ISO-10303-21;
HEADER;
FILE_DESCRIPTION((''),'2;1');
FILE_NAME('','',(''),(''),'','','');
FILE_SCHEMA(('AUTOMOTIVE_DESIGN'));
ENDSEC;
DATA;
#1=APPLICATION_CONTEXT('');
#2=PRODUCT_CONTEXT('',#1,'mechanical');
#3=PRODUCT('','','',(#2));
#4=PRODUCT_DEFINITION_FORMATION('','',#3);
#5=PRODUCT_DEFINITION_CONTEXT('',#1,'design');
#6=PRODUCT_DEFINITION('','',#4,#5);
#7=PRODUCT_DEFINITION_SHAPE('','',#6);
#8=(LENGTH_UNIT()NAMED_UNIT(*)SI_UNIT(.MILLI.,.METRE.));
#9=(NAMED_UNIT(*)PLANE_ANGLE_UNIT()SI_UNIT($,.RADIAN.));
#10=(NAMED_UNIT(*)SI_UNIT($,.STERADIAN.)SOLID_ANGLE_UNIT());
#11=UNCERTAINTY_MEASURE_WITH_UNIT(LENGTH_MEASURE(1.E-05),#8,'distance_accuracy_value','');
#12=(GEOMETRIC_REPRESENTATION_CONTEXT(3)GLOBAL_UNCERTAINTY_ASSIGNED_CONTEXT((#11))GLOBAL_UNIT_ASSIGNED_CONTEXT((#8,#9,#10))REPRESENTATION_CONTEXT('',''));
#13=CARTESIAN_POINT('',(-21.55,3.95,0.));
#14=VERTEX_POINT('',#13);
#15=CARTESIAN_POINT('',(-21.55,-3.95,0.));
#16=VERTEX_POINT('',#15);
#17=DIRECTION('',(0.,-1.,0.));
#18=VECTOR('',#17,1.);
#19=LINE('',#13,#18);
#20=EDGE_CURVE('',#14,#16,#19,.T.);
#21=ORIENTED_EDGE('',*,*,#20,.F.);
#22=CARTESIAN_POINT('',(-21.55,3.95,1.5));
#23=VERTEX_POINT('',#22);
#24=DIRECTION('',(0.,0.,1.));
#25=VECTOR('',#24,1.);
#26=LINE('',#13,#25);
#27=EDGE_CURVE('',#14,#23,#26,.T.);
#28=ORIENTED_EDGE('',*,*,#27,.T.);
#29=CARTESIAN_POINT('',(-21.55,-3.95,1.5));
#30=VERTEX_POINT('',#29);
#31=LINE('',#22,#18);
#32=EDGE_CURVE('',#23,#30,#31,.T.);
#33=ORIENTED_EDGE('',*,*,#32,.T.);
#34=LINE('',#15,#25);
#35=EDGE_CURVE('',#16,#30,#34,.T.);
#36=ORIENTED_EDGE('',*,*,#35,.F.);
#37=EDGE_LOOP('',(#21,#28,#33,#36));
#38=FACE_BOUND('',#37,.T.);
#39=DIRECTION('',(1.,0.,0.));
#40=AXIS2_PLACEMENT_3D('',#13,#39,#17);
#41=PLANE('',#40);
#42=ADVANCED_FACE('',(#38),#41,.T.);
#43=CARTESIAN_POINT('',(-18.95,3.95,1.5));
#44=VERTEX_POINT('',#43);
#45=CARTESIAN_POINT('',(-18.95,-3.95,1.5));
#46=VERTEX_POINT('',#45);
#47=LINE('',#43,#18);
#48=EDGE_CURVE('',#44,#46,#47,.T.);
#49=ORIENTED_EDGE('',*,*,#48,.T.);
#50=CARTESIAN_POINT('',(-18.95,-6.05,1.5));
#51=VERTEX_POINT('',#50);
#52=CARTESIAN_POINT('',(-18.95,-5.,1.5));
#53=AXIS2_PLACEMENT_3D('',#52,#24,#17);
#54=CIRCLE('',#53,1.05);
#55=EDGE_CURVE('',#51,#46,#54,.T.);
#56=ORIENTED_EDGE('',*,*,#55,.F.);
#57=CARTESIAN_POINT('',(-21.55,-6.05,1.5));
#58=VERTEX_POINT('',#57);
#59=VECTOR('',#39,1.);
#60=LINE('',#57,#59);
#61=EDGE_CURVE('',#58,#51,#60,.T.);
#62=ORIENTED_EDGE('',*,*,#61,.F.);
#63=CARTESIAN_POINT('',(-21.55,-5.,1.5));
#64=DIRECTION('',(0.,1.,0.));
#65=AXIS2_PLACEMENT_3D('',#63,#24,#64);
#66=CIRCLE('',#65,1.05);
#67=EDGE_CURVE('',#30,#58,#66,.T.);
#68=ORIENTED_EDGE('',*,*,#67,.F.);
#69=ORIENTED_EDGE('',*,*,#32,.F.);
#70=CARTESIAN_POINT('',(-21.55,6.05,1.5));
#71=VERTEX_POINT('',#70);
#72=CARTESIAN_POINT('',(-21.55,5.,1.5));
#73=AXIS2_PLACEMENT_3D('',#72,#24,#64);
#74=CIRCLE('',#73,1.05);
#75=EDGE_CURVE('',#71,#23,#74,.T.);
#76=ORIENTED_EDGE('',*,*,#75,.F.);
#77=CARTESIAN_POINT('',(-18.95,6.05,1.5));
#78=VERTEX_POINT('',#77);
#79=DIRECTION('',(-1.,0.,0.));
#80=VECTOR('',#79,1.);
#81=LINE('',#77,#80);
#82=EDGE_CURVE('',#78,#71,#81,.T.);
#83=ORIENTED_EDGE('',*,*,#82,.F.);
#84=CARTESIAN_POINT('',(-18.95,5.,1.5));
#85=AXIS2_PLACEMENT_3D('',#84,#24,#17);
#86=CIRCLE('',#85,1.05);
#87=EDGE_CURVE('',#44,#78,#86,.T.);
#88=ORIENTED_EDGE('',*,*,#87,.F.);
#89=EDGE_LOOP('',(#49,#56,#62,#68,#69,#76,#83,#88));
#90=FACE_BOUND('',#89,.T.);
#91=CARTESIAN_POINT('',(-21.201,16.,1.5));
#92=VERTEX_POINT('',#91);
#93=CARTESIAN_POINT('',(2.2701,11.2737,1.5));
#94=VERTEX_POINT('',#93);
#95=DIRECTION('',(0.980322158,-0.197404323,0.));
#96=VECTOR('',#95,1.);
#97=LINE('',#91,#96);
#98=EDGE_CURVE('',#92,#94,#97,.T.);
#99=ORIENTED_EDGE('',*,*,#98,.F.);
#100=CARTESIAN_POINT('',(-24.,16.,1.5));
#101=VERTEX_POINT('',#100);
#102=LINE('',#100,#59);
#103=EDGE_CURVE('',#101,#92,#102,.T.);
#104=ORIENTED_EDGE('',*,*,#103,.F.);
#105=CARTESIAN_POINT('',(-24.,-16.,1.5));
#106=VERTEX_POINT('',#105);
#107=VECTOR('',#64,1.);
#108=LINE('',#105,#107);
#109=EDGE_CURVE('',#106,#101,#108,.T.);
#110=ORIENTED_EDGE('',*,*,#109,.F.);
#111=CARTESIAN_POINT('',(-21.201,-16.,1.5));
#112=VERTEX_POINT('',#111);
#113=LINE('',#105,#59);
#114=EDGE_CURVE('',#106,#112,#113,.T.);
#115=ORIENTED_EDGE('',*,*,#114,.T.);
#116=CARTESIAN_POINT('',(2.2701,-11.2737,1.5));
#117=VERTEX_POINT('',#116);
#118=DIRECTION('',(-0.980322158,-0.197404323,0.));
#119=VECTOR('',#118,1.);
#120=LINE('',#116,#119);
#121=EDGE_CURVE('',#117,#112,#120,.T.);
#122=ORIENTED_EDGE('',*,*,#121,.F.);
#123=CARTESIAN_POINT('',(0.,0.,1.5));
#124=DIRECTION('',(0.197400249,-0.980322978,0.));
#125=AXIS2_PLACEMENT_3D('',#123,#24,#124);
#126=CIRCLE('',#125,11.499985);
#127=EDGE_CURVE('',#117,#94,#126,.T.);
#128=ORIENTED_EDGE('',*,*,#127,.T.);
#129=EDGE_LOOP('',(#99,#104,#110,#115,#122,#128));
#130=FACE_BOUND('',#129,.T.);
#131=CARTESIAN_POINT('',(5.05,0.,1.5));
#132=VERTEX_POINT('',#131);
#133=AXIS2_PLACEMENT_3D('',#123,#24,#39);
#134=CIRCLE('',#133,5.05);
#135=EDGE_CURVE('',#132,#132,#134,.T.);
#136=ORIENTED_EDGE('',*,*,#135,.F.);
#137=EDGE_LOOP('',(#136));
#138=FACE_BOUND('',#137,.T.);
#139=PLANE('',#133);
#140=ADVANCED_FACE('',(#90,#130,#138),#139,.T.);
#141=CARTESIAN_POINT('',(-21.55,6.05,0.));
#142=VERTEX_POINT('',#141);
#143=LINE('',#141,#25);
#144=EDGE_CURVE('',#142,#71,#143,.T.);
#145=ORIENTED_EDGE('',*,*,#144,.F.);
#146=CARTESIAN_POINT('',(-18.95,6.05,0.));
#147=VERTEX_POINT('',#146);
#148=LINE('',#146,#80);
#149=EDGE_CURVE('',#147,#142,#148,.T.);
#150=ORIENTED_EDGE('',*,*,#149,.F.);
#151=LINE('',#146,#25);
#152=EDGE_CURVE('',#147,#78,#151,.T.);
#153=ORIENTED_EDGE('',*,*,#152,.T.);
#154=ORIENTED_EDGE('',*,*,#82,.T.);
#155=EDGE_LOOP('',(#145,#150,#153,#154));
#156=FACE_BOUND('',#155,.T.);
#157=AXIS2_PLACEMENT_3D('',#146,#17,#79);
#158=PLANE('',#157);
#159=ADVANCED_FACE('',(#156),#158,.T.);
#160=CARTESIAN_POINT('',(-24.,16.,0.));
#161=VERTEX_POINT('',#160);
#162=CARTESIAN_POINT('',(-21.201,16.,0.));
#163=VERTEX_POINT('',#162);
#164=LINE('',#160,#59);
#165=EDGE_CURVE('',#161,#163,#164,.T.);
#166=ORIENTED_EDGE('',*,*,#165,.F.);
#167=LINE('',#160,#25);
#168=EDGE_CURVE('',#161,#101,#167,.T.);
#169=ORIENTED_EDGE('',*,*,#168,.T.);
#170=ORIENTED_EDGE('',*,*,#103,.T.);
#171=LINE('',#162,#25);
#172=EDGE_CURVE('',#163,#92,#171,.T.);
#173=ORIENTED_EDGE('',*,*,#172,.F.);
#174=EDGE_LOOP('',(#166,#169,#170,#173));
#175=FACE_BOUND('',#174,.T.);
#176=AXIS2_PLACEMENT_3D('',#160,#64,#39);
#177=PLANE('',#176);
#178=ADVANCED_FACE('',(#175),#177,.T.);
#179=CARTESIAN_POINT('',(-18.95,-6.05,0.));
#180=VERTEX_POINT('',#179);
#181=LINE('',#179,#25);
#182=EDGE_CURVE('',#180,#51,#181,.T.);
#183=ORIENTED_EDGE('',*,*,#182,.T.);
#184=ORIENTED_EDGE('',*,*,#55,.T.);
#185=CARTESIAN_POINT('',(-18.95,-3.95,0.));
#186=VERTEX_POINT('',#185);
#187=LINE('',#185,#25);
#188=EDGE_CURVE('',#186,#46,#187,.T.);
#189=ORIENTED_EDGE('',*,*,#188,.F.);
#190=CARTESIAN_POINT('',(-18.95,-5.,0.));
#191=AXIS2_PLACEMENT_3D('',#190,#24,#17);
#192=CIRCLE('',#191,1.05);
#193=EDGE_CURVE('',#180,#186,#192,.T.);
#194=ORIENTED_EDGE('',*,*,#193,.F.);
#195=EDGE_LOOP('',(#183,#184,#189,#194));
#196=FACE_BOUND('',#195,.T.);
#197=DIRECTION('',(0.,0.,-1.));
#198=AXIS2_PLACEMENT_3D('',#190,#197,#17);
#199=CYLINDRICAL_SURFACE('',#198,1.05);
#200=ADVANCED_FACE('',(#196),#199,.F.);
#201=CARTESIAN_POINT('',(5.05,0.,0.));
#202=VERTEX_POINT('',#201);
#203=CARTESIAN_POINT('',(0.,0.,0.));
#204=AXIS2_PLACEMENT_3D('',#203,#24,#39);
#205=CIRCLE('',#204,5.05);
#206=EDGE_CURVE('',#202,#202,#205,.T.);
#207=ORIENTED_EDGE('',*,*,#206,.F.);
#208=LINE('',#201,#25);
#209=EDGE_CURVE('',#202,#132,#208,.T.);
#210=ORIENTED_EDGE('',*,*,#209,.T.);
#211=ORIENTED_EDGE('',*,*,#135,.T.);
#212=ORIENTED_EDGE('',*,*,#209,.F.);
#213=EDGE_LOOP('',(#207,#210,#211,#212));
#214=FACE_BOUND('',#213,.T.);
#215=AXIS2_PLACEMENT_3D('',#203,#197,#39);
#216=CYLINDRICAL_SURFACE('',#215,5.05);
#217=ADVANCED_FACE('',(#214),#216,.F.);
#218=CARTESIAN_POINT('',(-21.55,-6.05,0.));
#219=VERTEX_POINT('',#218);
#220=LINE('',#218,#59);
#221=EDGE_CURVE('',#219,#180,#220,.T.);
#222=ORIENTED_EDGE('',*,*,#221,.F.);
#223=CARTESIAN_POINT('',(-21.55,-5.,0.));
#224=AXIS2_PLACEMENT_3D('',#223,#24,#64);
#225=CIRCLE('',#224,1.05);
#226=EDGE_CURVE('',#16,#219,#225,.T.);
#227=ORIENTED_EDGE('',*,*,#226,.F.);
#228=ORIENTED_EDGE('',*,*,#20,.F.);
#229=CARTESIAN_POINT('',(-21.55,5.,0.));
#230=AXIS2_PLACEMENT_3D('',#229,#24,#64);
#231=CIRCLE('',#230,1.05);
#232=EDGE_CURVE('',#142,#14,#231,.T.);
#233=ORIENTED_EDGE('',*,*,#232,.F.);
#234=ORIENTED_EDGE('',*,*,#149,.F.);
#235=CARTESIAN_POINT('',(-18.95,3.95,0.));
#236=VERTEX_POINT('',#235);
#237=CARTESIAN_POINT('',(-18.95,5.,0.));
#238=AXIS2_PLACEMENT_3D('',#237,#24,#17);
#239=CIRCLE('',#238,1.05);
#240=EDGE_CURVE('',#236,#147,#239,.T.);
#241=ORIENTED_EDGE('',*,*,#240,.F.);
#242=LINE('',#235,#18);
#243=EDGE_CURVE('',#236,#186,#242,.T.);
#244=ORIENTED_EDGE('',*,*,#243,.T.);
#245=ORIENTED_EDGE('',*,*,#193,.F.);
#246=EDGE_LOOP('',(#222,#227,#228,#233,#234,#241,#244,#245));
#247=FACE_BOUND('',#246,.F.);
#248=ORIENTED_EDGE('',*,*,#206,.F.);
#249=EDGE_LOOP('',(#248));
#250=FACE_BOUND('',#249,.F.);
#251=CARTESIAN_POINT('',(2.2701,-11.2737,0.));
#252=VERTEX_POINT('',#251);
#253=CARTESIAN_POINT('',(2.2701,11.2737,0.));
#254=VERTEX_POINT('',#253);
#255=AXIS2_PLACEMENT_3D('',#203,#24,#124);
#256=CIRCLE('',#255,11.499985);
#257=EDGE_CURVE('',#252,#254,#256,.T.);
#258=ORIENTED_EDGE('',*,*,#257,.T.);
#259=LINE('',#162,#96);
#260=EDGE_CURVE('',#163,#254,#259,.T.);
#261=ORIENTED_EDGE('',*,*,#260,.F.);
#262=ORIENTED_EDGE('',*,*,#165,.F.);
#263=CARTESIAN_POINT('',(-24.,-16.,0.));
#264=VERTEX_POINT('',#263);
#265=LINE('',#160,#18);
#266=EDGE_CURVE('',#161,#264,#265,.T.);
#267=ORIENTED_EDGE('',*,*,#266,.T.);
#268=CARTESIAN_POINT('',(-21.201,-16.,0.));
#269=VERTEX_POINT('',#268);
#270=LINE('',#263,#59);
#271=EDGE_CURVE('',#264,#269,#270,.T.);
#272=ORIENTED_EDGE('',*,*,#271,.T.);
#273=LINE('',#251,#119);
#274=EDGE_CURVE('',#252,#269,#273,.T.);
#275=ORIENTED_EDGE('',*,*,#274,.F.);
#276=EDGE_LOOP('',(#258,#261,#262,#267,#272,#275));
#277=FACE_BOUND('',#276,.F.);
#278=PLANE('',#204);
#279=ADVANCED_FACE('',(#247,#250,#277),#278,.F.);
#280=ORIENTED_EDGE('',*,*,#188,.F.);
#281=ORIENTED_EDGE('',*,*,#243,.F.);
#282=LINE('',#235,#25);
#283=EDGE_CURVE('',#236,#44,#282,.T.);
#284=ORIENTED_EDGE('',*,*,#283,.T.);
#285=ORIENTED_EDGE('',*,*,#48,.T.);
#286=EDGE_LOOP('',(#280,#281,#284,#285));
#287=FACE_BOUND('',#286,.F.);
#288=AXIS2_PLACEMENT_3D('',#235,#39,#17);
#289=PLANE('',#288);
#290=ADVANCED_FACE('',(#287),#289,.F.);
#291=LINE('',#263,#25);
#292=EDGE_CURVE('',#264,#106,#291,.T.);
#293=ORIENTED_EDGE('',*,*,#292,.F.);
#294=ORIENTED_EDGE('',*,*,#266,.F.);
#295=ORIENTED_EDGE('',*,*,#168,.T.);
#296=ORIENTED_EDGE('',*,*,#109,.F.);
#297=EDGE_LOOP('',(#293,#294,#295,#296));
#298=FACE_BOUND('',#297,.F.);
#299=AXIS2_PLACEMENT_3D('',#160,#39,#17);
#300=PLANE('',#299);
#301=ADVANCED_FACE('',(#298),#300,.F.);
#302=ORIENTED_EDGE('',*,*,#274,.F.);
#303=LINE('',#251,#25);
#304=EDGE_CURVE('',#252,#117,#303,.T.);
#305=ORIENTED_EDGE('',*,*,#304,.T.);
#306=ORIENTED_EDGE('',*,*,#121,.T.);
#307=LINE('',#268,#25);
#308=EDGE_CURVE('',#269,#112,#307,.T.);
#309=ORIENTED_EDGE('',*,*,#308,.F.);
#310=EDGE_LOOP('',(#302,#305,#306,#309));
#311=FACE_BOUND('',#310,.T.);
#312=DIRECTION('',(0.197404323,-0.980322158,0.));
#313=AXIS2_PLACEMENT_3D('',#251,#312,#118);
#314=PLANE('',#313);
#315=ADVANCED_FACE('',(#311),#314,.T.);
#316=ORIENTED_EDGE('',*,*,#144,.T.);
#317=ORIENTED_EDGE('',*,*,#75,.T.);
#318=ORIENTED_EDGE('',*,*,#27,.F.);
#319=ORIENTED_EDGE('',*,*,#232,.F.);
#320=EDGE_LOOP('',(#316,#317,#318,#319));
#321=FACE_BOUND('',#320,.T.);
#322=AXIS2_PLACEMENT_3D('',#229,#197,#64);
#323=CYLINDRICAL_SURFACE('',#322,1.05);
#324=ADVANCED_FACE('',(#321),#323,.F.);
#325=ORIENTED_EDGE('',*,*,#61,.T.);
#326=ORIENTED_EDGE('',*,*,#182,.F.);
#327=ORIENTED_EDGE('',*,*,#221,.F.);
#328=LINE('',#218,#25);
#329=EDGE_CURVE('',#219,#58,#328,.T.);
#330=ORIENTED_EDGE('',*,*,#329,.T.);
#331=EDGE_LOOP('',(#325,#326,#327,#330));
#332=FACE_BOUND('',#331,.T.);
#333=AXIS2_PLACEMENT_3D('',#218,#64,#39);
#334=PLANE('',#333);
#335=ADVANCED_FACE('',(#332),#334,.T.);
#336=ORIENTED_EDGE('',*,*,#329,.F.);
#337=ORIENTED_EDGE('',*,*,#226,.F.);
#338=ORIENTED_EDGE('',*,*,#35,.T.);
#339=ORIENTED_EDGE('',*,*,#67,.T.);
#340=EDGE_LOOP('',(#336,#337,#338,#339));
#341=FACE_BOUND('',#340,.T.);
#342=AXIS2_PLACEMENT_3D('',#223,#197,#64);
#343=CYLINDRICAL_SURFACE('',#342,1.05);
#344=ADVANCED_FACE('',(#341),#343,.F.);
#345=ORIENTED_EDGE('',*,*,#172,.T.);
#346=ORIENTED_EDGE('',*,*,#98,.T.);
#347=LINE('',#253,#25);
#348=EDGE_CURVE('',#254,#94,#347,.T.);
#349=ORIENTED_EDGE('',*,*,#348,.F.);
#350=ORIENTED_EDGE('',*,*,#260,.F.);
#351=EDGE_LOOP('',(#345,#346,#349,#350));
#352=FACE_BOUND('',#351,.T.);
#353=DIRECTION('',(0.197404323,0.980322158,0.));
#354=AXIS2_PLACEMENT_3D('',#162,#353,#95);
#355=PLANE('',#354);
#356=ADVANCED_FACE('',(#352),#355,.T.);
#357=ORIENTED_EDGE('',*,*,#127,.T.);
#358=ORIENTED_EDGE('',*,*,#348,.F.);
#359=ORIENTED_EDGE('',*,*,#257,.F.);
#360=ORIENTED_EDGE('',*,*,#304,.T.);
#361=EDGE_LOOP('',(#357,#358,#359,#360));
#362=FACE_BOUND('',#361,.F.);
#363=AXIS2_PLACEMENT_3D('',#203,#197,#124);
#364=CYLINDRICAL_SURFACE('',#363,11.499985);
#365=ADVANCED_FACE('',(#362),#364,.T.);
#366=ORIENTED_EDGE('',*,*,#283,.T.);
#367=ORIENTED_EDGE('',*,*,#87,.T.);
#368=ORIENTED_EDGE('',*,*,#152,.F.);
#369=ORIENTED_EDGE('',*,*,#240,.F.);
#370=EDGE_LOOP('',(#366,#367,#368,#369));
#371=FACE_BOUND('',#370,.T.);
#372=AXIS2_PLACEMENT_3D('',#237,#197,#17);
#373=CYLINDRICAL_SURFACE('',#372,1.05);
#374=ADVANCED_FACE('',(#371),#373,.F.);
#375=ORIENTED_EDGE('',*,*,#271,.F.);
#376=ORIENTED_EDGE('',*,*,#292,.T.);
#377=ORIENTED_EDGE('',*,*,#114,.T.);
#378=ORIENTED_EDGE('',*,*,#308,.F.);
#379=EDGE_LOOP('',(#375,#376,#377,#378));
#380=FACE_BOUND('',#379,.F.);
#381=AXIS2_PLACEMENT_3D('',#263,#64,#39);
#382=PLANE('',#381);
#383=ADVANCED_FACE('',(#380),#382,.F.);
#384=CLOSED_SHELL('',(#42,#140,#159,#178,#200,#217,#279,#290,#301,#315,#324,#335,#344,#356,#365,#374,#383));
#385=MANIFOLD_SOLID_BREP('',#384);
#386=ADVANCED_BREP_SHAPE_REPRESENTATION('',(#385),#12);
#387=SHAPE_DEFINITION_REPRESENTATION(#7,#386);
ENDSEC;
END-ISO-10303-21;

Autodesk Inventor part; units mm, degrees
ref_plane "YZ Plane" through (0, 0, 0) normal (1, 0, 0) x (0, 1, 0)
ref_plane "XZ Plane" through (0, 0, 0) normal (0, 1, 0) x (-1, 0, 0)
ref_plane "XY Plane" through (0, 0, 0) normal (0, 0, 1) x (1, 0, 0)
sketch "スケッチ1" plane through (0, 0, 0) normal (0, 0, 1) x (1, 0, 0)
  circle A0 centre (0, 0) radius 10.5 construction
  line L0 (-12, 10.583) -> (-12, -10.583) construction
  arc A1 (0, 16) -> (-12, 10.583) centre (0, 0) ccw construction
  line L1 (0, 16) -> (33.5167, 16) construction
  line L2 (33.5167, 16) -> (33.5167, -16) construction
  line L3 (33.5167, -16) -> (0, -16) construction
  arc A2 (-12, -10.583) -> (0, -16) centre (0, 0) ccw construction
  circle A3 centre (0, 8.5) radius 1.35
  circle A4 centre (-8.5, 0) radius 1.35
  circle A5 centre (0, -8.5) radius 1.35
  circle A6 centre (8.5, 0) radius 1.35
  circle A7 centre (0, 0) radius 5.05
  circle A8 centre (0, 0) radius 16 construction
  line L4 (-21.5, 6) -> (-19, 6) construction
  line L5 (-19, 6) -> (-19, -6) construction
  line L6 (-19, -6) -> (-21.5, -6) construction
  line L7 (-21.5, -6) -> (-21.5, 6) construction
  circle A9 centre (0, 0) radius 19 construction
  line L8 (-18.95, 6.05) -> (-21.55, 6.05) construction
  line L9 (-21.55, 6.05) -> (-21.55, -6.05) construction
  line L10 (-21.55, -6.05) -> (-18.95, -6.05) construction
  line L11 (-18.95, -6.05) -> (-18.95, 6.05) construction
  circle A10 centre (-21.55, 5) radius 1.05 construction
  line L12 (-18.95, 6.05) -> (-21.55, 6.05)
  arc A11 (-21.55, 6.05) -> (-21.55, 3.95) centre (-21.55, 5) ccw
  line L13 (-21.55, 3.95) -> (-21.55, -3.95)
  line L14 (-20.25, 6.05) -> (-20.25, -6.05) construction
  line L15 (-21.55, 0) -> (-19, 0) construction
  arc A12 (-21.55, -3.95) -> (-21.55, -6.05) centre (-21.55, -5) ccw
  line L16 (-21.55, -6.05) -> (-18.95, -6.05)
  line L17 (-18.95, 3.95) -> (-18.95, -3.95)
  arc A13 (-18.95, 3.95) -> (-18.95, 6.05) centre (-18.95, 5) ccw
  arc A14 (-18.95, -6.05) -> (-18.95, -3.95) centre (-18.95, -5) ccw
  line L18 (-24, 6) -> (-24, -6)
  circle A15 centre (-21.5, 13) radius 1.55
  circle A16 centre (-21.5, -13) radius 1.55
  line L19 (-24, 16) -> (-21.201, 16)
  line L20 (-24, -16) -> (-21.201, -16)
  arc A17 (2.2701, -11.2737) -> (2.2701, 11.2737) centre (0, 0) ccw
  line L21 (-24, 16) -> (-24, 6)
  circle A18 centre (-21.5, 13) radius 3 construction
  line L22 (-24, -16) -> (-24, -6)
  line L23 (-21.201, 16) -> (2.2701, 11.2737)
  line L24 (2.2701, -11.2737) -> (-21.201, -16)
  point P0 (-12, 0)
  point P1 (-20.275, 0)
  dimension "d29" = 2.1
  dimension "d0" = 21
  dimension "d1" = 16
  dimension "d2" = 12
  dimension "d3" = 8.5
  dimension "d4" = 2.7
  dimension "d7" = 360
  dimension "d9" = 10.1
  dimension "d10" = 2.5
  dimension "d11" = 3
  dimension "d27" = 10
  dimension "d30" = 0.05
  dimension "d31" = 7
  dimension "d33" = 3.1
  dimension "d41" = 2.5
  dimension "d43" = 1
extrude "押し出し1" add sketch "スケッチ1" along normal blind 1.5
sketch "スケッチ2" plane through (0, 0, 0) normal (0, 0, -1) x (-1, 0, 0)
  circle A0 centre (0, -8.5) radius 1.35 projected
  circle A1 centre (0, -8.5) radius 1.35
  circle A2 centre (-8.5, 0) radius 1.35 projected
  circle A3 centre (-8.5, 0) radius 1.35
  circle A4 centre (8.5, 0) radius 1.35 projected
  circle A5 centre (8.5, 0) radius 1.35
  circle A6 centre (21.5, -13) radius 1.55 projected
  circle A7 centre (21.5, -13) radius 1.55
  circle A8 centre (0, 8.5) radius 1.35 projected
  circle A9 centre (0, 8.5) radius 1.35
  circle A10 centre (21.5, 13) radius 1.55 projected
  circle A11 centre (21.5, 13) radius 1.55
  point P0 (0, 0)
extrude "押し出し2" add sketch "スケッチ2" against normal up to surface (1.5 mm away)
equation "\"d27\" = d21"
equation "\"d31\" = d23"
equation "\"d21\" = 10"
equation "\"d23\" = 7"
properties part number "肩_サブフレーム_1_1" material "GFRP"
